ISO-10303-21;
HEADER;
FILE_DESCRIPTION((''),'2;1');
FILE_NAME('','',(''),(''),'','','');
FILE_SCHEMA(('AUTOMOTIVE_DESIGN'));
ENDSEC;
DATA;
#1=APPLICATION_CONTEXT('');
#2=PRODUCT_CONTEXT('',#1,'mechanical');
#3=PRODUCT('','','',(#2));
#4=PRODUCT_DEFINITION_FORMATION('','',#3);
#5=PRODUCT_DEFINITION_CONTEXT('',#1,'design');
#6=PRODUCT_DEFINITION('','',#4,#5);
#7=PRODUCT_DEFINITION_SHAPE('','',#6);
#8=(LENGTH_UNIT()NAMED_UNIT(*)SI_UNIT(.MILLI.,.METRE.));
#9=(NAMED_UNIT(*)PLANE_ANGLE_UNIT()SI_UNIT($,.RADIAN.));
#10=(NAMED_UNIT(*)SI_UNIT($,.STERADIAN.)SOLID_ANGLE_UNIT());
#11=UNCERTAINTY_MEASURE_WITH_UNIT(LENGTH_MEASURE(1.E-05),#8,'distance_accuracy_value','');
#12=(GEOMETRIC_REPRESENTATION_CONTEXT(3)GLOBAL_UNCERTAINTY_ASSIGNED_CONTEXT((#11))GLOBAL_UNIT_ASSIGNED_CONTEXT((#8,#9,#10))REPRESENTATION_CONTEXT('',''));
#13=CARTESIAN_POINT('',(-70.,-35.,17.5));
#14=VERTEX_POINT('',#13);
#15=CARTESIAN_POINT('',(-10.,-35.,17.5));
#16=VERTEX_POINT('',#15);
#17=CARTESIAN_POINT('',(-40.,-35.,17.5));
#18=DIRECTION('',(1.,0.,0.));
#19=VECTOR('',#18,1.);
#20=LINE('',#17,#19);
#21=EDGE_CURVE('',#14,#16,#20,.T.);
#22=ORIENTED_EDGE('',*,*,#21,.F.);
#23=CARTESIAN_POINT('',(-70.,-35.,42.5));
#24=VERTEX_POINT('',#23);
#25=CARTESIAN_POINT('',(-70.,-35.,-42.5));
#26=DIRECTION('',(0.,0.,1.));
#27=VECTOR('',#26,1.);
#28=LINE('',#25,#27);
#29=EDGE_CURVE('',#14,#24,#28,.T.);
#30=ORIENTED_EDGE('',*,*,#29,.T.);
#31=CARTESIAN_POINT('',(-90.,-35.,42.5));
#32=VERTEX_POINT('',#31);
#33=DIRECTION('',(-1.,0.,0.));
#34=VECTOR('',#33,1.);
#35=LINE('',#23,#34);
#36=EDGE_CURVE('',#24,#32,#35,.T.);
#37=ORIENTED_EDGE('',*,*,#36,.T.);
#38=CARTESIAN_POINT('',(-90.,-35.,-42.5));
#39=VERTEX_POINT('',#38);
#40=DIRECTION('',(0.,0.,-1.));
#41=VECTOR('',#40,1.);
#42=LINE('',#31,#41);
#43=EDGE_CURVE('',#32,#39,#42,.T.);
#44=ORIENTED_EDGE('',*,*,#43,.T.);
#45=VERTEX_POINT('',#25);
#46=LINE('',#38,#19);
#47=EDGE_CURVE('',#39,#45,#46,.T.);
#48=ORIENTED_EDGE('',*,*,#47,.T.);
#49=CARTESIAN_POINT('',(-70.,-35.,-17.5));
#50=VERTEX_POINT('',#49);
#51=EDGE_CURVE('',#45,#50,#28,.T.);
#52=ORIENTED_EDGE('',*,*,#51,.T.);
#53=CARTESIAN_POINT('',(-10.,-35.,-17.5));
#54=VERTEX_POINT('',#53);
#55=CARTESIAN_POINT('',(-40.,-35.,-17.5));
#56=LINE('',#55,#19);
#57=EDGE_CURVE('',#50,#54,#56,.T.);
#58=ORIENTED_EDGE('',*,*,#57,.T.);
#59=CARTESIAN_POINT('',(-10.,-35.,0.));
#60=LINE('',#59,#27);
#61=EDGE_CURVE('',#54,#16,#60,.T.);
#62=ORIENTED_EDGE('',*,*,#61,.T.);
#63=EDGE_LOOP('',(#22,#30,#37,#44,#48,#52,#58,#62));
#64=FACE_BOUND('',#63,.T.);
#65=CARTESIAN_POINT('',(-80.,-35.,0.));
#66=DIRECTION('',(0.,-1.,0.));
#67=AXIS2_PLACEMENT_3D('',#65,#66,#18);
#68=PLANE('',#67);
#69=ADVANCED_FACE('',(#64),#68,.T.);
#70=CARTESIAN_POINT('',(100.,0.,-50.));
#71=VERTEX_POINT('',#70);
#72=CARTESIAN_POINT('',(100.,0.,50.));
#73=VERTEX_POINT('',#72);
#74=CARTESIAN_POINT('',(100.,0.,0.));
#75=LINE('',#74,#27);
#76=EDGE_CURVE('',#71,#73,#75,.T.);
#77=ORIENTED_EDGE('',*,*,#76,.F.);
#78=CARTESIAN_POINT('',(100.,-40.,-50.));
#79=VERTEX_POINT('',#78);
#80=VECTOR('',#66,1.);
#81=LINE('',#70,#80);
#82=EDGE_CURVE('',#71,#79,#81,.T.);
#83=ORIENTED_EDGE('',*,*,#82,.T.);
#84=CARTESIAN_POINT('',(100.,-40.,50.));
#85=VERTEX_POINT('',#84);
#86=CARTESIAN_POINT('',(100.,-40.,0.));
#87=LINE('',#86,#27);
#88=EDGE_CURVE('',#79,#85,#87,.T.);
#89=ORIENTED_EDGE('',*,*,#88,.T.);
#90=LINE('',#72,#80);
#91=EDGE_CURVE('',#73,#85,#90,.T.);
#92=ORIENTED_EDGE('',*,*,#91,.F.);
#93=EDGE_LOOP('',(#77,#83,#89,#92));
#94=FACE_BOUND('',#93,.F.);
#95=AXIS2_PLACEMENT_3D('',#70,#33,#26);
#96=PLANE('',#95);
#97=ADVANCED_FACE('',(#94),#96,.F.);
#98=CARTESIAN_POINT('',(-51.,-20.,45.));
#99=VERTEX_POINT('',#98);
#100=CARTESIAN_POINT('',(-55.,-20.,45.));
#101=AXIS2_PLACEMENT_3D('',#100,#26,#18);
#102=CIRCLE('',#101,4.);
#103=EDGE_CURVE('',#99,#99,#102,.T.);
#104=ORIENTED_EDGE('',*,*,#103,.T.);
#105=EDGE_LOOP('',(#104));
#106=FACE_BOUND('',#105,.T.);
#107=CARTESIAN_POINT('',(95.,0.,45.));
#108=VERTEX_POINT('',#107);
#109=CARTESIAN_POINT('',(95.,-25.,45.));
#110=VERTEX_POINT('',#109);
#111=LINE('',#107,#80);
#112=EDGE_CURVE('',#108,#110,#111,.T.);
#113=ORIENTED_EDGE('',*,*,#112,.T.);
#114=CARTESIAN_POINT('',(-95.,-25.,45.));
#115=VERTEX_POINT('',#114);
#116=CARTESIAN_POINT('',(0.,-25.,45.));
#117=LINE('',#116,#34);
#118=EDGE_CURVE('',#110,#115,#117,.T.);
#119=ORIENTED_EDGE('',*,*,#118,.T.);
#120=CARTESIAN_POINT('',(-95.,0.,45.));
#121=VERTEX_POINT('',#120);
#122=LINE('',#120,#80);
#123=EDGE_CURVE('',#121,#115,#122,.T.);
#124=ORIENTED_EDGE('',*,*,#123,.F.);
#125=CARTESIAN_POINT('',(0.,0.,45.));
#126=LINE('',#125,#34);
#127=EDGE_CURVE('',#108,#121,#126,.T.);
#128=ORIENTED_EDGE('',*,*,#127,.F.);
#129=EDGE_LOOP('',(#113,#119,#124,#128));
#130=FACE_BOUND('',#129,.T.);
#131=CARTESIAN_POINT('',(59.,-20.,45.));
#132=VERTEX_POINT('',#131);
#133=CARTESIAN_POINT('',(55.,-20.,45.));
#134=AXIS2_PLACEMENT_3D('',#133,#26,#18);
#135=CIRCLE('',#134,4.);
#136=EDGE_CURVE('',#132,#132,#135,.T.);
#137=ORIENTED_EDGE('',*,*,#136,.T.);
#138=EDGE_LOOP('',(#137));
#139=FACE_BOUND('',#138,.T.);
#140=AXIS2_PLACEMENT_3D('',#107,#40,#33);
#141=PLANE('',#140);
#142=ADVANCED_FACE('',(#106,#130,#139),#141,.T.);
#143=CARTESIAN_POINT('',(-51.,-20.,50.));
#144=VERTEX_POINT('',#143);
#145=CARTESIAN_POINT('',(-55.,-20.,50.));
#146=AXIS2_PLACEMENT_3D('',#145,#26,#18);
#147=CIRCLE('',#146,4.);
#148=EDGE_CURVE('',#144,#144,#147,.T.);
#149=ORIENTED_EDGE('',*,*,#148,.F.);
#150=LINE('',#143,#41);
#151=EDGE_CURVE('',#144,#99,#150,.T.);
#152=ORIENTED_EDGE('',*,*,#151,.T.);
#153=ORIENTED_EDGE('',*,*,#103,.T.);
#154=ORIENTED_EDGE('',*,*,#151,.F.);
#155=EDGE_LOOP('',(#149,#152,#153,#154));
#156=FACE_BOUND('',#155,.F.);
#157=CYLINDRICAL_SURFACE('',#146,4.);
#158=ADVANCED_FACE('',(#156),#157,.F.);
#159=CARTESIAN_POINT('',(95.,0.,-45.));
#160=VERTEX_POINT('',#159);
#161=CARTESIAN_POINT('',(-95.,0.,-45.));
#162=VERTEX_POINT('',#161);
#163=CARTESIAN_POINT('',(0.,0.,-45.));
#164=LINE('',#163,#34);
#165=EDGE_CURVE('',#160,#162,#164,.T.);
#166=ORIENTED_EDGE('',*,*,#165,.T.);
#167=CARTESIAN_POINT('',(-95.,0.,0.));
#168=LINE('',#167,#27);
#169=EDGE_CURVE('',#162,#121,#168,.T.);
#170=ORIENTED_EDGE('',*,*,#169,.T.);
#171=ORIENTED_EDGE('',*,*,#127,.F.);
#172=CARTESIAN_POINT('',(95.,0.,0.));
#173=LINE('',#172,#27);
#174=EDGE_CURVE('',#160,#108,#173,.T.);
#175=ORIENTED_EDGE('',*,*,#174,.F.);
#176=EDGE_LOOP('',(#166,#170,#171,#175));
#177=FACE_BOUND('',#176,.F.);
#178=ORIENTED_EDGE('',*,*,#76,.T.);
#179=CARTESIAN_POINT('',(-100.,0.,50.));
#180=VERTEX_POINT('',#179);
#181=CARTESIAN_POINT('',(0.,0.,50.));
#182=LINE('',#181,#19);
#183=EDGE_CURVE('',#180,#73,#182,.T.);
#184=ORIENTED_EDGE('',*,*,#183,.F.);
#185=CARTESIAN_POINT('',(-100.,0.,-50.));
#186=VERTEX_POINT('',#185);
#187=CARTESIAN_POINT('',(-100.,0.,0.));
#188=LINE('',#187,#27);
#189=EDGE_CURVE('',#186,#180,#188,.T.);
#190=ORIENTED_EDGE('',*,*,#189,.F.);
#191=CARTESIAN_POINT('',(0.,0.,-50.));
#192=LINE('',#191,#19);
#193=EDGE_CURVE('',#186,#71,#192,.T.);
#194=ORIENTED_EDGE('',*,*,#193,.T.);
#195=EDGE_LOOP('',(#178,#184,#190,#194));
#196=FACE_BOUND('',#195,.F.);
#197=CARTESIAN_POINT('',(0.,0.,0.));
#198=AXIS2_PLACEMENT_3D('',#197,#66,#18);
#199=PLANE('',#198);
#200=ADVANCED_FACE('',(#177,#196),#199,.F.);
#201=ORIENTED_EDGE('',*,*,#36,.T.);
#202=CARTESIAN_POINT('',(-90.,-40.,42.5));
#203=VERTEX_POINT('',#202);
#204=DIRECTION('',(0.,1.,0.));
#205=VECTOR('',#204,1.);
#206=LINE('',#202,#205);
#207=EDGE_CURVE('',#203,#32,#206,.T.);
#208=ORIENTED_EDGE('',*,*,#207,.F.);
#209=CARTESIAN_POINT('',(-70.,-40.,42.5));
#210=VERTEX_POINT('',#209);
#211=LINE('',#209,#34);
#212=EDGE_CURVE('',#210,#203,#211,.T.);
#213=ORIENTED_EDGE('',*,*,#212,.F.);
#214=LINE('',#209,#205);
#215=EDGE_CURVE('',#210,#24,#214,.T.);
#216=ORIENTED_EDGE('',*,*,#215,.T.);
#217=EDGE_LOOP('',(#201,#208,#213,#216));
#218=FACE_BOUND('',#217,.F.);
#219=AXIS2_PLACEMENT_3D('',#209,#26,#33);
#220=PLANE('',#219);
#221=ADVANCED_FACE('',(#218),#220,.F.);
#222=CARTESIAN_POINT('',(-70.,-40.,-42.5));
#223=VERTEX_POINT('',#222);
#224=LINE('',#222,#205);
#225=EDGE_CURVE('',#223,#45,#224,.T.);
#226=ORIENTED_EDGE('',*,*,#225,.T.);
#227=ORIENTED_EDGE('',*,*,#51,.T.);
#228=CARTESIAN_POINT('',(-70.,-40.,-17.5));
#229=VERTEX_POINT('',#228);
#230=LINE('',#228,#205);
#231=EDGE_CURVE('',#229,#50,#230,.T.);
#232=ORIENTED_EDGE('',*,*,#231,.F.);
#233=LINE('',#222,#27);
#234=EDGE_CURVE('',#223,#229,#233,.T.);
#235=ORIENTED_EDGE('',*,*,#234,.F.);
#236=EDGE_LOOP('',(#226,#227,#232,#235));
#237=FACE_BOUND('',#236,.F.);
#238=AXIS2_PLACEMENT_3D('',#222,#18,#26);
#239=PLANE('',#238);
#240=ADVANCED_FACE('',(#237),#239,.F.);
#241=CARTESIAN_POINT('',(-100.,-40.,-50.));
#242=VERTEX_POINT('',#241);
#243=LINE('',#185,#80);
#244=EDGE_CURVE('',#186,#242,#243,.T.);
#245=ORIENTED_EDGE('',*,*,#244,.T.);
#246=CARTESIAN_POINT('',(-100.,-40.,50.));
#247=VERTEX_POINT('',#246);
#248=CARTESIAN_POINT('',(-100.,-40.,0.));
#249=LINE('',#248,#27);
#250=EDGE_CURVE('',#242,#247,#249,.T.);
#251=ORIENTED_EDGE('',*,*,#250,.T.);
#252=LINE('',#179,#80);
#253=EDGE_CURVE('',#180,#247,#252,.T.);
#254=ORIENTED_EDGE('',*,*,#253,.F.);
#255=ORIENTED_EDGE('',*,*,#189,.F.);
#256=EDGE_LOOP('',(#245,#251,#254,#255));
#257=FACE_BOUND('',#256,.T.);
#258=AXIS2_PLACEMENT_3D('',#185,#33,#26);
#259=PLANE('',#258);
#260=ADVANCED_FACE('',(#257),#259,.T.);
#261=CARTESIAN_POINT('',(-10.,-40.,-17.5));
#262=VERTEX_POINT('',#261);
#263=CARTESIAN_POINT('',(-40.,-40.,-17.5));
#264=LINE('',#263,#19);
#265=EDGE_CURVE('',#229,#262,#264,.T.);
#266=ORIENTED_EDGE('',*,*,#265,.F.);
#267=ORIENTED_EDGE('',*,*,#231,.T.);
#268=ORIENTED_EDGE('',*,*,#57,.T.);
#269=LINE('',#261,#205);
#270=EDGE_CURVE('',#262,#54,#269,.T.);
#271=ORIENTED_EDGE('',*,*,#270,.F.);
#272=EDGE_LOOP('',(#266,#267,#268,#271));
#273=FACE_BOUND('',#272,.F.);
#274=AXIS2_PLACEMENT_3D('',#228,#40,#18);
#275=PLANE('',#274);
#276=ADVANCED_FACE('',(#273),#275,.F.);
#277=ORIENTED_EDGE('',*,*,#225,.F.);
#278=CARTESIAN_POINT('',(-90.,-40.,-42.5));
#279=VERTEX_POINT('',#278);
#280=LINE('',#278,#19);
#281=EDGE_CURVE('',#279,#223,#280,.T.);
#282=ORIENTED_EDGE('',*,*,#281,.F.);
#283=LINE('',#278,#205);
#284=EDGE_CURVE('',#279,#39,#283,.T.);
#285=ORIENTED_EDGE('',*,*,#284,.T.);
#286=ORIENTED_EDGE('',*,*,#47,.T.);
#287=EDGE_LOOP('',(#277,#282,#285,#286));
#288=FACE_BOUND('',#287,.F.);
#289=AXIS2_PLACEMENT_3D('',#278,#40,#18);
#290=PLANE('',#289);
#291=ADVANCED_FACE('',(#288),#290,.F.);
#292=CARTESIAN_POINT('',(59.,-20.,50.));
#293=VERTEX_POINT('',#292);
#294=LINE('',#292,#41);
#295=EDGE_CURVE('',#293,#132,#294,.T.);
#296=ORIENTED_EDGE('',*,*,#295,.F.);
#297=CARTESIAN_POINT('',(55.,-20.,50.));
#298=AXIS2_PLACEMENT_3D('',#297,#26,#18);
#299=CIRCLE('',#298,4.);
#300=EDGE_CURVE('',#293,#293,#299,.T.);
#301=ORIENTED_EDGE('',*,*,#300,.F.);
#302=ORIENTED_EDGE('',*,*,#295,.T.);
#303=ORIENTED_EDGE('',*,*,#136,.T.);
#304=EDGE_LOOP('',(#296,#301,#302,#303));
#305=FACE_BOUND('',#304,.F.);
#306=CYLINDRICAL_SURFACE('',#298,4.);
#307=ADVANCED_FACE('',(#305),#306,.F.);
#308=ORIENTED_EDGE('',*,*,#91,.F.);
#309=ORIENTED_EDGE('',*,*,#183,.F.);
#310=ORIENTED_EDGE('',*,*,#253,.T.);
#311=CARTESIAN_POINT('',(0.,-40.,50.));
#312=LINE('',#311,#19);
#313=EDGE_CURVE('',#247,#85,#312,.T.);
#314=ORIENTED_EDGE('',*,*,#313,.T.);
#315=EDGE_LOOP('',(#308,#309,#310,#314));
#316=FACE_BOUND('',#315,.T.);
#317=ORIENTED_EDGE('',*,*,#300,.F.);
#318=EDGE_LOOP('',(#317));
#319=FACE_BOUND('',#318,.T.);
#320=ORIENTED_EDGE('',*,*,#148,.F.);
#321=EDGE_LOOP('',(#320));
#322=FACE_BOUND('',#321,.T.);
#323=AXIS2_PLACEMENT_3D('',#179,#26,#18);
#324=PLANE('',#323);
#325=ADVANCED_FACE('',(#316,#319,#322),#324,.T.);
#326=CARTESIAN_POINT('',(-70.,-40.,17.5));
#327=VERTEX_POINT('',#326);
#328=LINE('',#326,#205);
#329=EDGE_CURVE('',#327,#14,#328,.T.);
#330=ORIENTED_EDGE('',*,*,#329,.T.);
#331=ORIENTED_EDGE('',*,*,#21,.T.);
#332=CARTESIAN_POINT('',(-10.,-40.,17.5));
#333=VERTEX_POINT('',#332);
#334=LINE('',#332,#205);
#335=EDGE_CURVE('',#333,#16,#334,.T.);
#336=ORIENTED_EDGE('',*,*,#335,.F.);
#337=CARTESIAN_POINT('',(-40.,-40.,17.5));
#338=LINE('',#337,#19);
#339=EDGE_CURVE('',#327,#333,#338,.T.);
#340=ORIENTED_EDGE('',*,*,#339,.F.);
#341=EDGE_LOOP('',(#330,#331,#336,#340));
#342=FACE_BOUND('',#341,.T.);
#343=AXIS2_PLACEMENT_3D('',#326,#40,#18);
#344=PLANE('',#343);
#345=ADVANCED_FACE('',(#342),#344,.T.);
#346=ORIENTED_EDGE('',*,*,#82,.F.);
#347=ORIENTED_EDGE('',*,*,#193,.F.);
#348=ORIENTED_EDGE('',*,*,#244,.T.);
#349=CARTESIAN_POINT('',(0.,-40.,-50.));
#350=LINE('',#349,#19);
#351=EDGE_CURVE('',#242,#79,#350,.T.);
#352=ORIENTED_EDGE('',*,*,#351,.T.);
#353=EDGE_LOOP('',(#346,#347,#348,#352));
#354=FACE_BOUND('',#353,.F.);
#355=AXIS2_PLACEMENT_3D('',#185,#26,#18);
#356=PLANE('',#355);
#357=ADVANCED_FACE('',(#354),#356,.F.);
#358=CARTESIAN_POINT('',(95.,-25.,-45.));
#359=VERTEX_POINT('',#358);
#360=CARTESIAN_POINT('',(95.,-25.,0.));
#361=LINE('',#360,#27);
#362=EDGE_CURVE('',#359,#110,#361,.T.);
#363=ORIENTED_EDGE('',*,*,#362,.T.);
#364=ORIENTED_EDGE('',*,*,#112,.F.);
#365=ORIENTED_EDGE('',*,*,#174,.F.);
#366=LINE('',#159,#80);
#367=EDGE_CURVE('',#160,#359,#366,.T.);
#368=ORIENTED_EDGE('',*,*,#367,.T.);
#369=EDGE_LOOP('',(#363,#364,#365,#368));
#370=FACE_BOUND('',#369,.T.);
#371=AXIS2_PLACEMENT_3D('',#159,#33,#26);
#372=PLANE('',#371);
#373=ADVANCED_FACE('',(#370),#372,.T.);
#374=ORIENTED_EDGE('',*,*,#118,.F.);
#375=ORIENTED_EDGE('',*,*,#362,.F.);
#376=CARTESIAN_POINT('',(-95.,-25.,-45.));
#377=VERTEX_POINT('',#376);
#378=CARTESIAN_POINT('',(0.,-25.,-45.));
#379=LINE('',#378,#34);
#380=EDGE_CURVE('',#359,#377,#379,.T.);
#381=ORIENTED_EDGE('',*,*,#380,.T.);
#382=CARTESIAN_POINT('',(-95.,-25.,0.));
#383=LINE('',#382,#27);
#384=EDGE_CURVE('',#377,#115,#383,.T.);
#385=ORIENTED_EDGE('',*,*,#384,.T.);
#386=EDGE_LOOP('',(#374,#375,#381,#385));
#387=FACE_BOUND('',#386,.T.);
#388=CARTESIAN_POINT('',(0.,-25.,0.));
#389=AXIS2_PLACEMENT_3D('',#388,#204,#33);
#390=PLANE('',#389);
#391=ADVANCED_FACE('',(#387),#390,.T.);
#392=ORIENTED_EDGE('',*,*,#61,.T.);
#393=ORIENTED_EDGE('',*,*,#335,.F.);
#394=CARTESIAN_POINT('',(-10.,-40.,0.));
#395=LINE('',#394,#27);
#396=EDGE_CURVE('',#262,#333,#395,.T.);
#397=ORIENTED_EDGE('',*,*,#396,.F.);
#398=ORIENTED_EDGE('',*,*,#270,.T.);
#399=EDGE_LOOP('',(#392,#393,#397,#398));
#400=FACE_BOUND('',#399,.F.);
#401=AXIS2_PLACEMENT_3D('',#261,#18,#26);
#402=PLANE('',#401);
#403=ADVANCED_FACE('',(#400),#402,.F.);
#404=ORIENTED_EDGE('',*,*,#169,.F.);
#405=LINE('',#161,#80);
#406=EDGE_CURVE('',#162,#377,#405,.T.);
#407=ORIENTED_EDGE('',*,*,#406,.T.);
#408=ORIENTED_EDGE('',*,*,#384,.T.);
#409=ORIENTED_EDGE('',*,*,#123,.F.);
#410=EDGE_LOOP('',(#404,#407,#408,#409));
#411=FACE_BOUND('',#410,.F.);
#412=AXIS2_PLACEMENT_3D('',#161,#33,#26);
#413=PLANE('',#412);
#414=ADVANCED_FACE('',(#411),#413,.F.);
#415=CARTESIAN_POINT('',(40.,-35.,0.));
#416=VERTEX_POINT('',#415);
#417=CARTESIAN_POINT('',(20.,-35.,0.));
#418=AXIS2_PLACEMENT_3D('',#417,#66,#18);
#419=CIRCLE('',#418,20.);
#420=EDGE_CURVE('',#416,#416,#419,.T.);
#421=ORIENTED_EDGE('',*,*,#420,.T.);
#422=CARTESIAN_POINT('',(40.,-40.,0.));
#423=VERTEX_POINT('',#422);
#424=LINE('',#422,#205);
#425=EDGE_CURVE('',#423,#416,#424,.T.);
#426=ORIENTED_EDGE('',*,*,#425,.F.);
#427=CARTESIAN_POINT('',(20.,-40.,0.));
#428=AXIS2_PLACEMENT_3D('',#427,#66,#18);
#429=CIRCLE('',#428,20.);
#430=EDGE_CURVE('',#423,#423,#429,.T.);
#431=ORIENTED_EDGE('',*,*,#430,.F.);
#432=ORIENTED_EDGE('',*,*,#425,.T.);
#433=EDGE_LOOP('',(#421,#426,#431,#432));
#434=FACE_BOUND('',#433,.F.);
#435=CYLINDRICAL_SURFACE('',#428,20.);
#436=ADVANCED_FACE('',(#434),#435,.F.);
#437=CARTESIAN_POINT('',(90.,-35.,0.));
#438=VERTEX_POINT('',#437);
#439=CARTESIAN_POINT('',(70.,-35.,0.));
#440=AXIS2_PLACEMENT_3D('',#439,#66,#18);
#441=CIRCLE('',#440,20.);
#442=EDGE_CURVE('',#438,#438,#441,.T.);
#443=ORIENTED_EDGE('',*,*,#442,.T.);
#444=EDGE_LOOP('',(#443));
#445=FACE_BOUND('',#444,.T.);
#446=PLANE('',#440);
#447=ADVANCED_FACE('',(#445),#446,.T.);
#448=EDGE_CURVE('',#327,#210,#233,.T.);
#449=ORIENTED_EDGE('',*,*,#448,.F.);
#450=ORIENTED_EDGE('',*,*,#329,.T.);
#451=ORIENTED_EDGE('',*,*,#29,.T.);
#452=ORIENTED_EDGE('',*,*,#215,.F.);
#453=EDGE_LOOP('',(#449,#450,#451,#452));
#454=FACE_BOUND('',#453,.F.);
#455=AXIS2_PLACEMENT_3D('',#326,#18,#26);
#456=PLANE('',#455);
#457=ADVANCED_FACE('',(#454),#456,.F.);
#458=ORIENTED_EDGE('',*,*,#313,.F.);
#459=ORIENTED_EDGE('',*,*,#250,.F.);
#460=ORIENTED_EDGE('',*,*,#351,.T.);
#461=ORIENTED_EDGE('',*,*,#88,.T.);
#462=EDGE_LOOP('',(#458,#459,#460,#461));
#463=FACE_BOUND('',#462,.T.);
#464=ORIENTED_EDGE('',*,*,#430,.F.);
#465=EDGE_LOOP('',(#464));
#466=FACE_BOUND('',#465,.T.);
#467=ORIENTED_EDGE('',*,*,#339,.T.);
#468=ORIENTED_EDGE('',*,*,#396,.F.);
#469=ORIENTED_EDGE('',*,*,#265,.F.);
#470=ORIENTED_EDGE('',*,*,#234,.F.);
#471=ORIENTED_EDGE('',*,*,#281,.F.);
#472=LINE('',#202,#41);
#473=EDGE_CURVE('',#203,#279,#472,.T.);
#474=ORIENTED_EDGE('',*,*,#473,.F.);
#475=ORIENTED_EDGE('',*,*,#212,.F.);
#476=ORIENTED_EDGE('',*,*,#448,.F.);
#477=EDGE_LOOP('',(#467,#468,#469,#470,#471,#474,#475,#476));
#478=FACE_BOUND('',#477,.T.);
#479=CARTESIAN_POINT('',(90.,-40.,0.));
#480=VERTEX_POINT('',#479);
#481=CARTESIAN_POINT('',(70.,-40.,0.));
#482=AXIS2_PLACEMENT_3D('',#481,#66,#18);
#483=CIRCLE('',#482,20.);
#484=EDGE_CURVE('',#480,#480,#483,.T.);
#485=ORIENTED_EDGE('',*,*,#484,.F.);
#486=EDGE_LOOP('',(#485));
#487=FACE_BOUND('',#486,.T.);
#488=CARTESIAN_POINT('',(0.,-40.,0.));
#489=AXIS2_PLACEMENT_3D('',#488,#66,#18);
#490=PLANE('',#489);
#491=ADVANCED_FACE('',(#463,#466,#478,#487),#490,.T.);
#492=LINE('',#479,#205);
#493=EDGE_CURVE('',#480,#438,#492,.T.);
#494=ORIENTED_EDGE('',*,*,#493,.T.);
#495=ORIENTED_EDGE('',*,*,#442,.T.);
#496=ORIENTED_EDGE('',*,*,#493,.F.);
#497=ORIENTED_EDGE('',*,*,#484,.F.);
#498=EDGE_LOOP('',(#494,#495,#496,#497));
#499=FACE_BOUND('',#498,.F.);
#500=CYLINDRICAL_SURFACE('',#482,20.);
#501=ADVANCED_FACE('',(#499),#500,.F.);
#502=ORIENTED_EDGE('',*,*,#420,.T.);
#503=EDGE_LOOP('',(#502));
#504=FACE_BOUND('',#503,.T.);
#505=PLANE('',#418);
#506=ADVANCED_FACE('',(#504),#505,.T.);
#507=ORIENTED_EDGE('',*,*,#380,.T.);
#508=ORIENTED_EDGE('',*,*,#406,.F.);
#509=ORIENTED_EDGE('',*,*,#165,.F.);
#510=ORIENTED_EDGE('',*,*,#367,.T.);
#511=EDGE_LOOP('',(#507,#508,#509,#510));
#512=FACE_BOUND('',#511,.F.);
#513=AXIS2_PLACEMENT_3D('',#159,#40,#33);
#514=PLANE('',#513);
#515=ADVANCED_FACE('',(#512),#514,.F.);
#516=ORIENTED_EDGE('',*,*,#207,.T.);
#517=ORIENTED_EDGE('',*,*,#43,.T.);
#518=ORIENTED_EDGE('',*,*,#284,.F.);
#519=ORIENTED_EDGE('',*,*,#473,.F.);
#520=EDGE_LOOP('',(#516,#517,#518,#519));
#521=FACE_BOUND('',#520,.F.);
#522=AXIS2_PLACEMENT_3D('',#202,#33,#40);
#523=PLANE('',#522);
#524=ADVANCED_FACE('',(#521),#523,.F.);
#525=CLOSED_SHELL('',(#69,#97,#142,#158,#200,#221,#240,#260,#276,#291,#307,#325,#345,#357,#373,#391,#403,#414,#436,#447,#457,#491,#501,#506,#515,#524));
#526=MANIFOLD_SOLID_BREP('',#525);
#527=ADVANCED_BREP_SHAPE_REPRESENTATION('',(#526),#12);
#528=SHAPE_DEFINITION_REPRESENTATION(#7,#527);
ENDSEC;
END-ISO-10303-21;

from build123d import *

# Parameters (mm, degrees)
F0_W     = 200
F0_H     = 100
F1_DEPTH = 40
F2_W     = 60
F2_H     = 35
F2_R     = 20
F3_DEPTH = 5
F4_W     = 190
F4_H     = 90
F5_DEPTH = 25
F6_R     = 4
F7_DEPTH = 40


with BuildPart() as f1:
    # F0 (on Front) → F1 (new body)
    with BuildSketch(Plane.XZ):
        Rectangle(F0_W, F0_H)
    extrude(amount=F1_DEPTH)

    # F2 (on face) → F3 (cut)
    with BuildSketch(Plane.XZ.offset(40)):
        Polygon((-90, -42.5), (-70, -42.5), (-70, -17.5), (-70, 17.5), (-70, 42.5), (-90, 42.5), align=None)
        with Locations((-40, 0)):
            Rectangle(F2_W, F2_H)
        with Locations((20, 0)):
            Circle(F2_R)
        with Locations((70, 0)):
            Circle(F2_R)
    extrude(amount=-F3_DEPTH, mode=Mode.SUBTRACT)

    # F4 (on face) → F5 (cut)
    with BuildSketch(Plane(origin=(0, 0, 0), x_dir=(-1, 0, 0), z_dir=(0, 1, 0))):
        Rectangle(F4_W, F4_H)
    extrude(amount=-F5_DEPTH, mode=Mode.SUBTRACT)

    # F6 (on face) → F7 (cut)
    with BuildSketch(Plane.XY.offset(50)):
        with Locations((-55, -20)):
            Circle(F6_R)
        with Locations((55, -20)):
            Circle(F6_R)
    extrude(amount=-F7_DEPTH, mode=Mode.SUBTRACT)


solid = f1.part
